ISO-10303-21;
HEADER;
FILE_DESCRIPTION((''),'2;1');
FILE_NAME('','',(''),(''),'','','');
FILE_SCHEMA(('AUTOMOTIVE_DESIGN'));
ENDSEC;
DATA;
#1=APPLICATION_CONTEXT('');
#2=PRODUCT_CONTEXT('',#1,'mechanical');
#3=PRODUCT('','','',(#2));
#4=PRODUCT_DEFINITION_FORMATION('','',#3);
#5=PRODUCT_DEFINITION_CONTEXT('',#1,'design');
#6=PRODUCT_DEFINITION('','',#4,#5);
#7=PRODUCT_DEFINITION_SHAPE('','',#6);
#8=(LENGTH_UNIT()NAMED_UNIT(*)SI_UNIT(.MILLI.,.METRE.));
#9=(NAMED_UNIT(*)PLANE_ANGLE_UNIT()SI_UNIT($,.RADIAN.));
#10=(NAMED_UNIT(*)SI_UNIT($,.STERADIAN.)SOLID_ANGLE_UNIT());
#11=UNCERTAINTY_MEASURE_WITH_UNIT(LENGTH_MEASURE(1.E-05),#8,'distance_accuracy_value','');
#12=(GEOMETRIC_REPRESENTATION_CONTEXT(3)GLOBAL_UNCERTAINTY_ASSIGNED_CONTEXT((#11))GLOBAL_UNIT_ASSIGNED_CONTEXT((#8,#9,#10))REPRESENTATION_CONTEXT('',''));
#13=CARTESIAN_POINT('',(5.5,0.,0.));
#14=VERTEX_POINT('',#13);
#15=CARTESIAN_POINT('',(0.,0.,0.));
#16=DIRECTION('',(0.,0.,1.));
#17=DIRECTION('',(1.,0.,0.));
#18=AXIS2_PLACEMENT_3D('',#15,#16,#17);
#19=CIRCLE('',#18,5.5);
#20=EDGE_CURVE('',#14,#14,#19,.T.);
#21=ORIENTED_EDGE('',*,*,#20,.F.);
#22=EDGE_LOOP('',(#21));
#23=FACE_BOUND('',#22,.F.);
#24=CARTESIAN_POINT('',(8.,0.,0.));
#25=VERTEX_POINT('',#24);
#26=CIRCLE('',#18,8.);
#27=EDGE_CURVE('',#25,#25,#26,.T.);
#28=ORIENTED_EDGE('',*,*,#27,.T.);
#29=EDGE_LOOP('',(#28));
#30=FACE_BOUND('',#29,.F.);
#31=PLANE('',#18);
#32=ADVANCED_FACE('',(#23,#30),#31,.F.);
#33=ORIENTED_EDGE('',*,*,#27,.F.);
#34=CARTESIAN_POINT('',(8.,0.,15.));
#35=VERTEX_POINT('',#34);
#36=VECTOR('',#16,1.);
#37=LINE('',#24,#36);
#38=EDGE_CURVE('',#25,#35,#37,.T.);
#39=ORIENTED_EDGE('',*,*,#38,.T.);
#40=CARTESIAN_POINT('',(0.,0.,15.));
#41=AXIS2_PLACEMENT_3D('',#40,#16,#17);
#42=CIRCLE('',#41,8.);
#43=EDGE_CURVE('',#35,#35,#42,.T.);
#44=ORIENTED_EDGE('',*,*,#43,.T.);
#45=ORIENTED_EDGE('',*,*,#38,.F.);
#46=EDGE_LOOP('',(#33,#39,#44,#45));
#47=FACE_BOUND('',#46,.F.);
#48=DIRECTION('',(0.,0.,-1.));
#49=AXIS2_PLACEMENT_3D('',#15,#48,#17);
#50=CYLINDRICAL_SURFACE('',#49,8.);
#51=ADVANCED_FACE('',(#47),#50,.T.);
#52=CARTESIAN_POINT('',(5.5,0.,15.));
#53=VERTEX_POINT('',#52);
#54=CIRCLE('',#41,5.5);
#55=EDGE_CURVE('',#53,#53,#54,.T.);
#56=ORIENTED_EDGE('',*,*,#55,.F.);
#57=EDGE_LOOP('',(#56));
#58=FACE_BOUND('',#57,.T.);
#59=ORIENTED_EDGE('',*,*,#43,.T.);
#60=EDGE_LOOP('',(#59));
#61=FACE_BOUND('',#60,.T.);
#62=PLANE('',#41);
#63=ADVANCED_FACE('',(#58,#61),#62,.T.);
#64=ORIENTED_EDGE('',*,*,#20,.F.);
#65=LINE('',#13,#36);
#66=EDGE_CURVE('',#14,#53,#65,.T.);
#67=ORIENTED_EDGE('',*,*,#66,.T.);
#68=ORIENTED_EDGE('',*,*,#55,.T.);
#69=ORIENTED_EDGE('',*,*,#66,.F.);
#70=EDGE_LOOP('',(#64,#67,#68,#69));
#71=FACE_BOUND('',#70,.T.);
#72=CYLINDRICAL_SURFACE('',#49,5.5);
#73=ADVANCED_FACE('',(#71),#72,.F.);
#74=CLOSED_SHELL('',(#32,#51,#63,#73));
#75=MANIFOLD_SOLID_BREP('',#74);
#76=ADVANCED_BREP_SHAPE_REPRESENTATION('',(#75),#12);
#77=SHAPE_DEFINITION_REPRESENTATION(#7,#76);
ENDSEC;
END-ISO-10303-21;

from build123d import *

# Parameters (mm, degrees)
F0_R     = 8
F0_R_2   = 5.5
F1_DEPTH = 15


with BuildPart() as f1:
    # F0 (on Top) → F1 (new body)
    with BuildSketch(Plane.XY):
        Circle(F0_R)
        Circle(F0_R_2, mode=Mode.SUBTRACT)
    extrude(amount=F1_DEPTH)


solid = f1.part
